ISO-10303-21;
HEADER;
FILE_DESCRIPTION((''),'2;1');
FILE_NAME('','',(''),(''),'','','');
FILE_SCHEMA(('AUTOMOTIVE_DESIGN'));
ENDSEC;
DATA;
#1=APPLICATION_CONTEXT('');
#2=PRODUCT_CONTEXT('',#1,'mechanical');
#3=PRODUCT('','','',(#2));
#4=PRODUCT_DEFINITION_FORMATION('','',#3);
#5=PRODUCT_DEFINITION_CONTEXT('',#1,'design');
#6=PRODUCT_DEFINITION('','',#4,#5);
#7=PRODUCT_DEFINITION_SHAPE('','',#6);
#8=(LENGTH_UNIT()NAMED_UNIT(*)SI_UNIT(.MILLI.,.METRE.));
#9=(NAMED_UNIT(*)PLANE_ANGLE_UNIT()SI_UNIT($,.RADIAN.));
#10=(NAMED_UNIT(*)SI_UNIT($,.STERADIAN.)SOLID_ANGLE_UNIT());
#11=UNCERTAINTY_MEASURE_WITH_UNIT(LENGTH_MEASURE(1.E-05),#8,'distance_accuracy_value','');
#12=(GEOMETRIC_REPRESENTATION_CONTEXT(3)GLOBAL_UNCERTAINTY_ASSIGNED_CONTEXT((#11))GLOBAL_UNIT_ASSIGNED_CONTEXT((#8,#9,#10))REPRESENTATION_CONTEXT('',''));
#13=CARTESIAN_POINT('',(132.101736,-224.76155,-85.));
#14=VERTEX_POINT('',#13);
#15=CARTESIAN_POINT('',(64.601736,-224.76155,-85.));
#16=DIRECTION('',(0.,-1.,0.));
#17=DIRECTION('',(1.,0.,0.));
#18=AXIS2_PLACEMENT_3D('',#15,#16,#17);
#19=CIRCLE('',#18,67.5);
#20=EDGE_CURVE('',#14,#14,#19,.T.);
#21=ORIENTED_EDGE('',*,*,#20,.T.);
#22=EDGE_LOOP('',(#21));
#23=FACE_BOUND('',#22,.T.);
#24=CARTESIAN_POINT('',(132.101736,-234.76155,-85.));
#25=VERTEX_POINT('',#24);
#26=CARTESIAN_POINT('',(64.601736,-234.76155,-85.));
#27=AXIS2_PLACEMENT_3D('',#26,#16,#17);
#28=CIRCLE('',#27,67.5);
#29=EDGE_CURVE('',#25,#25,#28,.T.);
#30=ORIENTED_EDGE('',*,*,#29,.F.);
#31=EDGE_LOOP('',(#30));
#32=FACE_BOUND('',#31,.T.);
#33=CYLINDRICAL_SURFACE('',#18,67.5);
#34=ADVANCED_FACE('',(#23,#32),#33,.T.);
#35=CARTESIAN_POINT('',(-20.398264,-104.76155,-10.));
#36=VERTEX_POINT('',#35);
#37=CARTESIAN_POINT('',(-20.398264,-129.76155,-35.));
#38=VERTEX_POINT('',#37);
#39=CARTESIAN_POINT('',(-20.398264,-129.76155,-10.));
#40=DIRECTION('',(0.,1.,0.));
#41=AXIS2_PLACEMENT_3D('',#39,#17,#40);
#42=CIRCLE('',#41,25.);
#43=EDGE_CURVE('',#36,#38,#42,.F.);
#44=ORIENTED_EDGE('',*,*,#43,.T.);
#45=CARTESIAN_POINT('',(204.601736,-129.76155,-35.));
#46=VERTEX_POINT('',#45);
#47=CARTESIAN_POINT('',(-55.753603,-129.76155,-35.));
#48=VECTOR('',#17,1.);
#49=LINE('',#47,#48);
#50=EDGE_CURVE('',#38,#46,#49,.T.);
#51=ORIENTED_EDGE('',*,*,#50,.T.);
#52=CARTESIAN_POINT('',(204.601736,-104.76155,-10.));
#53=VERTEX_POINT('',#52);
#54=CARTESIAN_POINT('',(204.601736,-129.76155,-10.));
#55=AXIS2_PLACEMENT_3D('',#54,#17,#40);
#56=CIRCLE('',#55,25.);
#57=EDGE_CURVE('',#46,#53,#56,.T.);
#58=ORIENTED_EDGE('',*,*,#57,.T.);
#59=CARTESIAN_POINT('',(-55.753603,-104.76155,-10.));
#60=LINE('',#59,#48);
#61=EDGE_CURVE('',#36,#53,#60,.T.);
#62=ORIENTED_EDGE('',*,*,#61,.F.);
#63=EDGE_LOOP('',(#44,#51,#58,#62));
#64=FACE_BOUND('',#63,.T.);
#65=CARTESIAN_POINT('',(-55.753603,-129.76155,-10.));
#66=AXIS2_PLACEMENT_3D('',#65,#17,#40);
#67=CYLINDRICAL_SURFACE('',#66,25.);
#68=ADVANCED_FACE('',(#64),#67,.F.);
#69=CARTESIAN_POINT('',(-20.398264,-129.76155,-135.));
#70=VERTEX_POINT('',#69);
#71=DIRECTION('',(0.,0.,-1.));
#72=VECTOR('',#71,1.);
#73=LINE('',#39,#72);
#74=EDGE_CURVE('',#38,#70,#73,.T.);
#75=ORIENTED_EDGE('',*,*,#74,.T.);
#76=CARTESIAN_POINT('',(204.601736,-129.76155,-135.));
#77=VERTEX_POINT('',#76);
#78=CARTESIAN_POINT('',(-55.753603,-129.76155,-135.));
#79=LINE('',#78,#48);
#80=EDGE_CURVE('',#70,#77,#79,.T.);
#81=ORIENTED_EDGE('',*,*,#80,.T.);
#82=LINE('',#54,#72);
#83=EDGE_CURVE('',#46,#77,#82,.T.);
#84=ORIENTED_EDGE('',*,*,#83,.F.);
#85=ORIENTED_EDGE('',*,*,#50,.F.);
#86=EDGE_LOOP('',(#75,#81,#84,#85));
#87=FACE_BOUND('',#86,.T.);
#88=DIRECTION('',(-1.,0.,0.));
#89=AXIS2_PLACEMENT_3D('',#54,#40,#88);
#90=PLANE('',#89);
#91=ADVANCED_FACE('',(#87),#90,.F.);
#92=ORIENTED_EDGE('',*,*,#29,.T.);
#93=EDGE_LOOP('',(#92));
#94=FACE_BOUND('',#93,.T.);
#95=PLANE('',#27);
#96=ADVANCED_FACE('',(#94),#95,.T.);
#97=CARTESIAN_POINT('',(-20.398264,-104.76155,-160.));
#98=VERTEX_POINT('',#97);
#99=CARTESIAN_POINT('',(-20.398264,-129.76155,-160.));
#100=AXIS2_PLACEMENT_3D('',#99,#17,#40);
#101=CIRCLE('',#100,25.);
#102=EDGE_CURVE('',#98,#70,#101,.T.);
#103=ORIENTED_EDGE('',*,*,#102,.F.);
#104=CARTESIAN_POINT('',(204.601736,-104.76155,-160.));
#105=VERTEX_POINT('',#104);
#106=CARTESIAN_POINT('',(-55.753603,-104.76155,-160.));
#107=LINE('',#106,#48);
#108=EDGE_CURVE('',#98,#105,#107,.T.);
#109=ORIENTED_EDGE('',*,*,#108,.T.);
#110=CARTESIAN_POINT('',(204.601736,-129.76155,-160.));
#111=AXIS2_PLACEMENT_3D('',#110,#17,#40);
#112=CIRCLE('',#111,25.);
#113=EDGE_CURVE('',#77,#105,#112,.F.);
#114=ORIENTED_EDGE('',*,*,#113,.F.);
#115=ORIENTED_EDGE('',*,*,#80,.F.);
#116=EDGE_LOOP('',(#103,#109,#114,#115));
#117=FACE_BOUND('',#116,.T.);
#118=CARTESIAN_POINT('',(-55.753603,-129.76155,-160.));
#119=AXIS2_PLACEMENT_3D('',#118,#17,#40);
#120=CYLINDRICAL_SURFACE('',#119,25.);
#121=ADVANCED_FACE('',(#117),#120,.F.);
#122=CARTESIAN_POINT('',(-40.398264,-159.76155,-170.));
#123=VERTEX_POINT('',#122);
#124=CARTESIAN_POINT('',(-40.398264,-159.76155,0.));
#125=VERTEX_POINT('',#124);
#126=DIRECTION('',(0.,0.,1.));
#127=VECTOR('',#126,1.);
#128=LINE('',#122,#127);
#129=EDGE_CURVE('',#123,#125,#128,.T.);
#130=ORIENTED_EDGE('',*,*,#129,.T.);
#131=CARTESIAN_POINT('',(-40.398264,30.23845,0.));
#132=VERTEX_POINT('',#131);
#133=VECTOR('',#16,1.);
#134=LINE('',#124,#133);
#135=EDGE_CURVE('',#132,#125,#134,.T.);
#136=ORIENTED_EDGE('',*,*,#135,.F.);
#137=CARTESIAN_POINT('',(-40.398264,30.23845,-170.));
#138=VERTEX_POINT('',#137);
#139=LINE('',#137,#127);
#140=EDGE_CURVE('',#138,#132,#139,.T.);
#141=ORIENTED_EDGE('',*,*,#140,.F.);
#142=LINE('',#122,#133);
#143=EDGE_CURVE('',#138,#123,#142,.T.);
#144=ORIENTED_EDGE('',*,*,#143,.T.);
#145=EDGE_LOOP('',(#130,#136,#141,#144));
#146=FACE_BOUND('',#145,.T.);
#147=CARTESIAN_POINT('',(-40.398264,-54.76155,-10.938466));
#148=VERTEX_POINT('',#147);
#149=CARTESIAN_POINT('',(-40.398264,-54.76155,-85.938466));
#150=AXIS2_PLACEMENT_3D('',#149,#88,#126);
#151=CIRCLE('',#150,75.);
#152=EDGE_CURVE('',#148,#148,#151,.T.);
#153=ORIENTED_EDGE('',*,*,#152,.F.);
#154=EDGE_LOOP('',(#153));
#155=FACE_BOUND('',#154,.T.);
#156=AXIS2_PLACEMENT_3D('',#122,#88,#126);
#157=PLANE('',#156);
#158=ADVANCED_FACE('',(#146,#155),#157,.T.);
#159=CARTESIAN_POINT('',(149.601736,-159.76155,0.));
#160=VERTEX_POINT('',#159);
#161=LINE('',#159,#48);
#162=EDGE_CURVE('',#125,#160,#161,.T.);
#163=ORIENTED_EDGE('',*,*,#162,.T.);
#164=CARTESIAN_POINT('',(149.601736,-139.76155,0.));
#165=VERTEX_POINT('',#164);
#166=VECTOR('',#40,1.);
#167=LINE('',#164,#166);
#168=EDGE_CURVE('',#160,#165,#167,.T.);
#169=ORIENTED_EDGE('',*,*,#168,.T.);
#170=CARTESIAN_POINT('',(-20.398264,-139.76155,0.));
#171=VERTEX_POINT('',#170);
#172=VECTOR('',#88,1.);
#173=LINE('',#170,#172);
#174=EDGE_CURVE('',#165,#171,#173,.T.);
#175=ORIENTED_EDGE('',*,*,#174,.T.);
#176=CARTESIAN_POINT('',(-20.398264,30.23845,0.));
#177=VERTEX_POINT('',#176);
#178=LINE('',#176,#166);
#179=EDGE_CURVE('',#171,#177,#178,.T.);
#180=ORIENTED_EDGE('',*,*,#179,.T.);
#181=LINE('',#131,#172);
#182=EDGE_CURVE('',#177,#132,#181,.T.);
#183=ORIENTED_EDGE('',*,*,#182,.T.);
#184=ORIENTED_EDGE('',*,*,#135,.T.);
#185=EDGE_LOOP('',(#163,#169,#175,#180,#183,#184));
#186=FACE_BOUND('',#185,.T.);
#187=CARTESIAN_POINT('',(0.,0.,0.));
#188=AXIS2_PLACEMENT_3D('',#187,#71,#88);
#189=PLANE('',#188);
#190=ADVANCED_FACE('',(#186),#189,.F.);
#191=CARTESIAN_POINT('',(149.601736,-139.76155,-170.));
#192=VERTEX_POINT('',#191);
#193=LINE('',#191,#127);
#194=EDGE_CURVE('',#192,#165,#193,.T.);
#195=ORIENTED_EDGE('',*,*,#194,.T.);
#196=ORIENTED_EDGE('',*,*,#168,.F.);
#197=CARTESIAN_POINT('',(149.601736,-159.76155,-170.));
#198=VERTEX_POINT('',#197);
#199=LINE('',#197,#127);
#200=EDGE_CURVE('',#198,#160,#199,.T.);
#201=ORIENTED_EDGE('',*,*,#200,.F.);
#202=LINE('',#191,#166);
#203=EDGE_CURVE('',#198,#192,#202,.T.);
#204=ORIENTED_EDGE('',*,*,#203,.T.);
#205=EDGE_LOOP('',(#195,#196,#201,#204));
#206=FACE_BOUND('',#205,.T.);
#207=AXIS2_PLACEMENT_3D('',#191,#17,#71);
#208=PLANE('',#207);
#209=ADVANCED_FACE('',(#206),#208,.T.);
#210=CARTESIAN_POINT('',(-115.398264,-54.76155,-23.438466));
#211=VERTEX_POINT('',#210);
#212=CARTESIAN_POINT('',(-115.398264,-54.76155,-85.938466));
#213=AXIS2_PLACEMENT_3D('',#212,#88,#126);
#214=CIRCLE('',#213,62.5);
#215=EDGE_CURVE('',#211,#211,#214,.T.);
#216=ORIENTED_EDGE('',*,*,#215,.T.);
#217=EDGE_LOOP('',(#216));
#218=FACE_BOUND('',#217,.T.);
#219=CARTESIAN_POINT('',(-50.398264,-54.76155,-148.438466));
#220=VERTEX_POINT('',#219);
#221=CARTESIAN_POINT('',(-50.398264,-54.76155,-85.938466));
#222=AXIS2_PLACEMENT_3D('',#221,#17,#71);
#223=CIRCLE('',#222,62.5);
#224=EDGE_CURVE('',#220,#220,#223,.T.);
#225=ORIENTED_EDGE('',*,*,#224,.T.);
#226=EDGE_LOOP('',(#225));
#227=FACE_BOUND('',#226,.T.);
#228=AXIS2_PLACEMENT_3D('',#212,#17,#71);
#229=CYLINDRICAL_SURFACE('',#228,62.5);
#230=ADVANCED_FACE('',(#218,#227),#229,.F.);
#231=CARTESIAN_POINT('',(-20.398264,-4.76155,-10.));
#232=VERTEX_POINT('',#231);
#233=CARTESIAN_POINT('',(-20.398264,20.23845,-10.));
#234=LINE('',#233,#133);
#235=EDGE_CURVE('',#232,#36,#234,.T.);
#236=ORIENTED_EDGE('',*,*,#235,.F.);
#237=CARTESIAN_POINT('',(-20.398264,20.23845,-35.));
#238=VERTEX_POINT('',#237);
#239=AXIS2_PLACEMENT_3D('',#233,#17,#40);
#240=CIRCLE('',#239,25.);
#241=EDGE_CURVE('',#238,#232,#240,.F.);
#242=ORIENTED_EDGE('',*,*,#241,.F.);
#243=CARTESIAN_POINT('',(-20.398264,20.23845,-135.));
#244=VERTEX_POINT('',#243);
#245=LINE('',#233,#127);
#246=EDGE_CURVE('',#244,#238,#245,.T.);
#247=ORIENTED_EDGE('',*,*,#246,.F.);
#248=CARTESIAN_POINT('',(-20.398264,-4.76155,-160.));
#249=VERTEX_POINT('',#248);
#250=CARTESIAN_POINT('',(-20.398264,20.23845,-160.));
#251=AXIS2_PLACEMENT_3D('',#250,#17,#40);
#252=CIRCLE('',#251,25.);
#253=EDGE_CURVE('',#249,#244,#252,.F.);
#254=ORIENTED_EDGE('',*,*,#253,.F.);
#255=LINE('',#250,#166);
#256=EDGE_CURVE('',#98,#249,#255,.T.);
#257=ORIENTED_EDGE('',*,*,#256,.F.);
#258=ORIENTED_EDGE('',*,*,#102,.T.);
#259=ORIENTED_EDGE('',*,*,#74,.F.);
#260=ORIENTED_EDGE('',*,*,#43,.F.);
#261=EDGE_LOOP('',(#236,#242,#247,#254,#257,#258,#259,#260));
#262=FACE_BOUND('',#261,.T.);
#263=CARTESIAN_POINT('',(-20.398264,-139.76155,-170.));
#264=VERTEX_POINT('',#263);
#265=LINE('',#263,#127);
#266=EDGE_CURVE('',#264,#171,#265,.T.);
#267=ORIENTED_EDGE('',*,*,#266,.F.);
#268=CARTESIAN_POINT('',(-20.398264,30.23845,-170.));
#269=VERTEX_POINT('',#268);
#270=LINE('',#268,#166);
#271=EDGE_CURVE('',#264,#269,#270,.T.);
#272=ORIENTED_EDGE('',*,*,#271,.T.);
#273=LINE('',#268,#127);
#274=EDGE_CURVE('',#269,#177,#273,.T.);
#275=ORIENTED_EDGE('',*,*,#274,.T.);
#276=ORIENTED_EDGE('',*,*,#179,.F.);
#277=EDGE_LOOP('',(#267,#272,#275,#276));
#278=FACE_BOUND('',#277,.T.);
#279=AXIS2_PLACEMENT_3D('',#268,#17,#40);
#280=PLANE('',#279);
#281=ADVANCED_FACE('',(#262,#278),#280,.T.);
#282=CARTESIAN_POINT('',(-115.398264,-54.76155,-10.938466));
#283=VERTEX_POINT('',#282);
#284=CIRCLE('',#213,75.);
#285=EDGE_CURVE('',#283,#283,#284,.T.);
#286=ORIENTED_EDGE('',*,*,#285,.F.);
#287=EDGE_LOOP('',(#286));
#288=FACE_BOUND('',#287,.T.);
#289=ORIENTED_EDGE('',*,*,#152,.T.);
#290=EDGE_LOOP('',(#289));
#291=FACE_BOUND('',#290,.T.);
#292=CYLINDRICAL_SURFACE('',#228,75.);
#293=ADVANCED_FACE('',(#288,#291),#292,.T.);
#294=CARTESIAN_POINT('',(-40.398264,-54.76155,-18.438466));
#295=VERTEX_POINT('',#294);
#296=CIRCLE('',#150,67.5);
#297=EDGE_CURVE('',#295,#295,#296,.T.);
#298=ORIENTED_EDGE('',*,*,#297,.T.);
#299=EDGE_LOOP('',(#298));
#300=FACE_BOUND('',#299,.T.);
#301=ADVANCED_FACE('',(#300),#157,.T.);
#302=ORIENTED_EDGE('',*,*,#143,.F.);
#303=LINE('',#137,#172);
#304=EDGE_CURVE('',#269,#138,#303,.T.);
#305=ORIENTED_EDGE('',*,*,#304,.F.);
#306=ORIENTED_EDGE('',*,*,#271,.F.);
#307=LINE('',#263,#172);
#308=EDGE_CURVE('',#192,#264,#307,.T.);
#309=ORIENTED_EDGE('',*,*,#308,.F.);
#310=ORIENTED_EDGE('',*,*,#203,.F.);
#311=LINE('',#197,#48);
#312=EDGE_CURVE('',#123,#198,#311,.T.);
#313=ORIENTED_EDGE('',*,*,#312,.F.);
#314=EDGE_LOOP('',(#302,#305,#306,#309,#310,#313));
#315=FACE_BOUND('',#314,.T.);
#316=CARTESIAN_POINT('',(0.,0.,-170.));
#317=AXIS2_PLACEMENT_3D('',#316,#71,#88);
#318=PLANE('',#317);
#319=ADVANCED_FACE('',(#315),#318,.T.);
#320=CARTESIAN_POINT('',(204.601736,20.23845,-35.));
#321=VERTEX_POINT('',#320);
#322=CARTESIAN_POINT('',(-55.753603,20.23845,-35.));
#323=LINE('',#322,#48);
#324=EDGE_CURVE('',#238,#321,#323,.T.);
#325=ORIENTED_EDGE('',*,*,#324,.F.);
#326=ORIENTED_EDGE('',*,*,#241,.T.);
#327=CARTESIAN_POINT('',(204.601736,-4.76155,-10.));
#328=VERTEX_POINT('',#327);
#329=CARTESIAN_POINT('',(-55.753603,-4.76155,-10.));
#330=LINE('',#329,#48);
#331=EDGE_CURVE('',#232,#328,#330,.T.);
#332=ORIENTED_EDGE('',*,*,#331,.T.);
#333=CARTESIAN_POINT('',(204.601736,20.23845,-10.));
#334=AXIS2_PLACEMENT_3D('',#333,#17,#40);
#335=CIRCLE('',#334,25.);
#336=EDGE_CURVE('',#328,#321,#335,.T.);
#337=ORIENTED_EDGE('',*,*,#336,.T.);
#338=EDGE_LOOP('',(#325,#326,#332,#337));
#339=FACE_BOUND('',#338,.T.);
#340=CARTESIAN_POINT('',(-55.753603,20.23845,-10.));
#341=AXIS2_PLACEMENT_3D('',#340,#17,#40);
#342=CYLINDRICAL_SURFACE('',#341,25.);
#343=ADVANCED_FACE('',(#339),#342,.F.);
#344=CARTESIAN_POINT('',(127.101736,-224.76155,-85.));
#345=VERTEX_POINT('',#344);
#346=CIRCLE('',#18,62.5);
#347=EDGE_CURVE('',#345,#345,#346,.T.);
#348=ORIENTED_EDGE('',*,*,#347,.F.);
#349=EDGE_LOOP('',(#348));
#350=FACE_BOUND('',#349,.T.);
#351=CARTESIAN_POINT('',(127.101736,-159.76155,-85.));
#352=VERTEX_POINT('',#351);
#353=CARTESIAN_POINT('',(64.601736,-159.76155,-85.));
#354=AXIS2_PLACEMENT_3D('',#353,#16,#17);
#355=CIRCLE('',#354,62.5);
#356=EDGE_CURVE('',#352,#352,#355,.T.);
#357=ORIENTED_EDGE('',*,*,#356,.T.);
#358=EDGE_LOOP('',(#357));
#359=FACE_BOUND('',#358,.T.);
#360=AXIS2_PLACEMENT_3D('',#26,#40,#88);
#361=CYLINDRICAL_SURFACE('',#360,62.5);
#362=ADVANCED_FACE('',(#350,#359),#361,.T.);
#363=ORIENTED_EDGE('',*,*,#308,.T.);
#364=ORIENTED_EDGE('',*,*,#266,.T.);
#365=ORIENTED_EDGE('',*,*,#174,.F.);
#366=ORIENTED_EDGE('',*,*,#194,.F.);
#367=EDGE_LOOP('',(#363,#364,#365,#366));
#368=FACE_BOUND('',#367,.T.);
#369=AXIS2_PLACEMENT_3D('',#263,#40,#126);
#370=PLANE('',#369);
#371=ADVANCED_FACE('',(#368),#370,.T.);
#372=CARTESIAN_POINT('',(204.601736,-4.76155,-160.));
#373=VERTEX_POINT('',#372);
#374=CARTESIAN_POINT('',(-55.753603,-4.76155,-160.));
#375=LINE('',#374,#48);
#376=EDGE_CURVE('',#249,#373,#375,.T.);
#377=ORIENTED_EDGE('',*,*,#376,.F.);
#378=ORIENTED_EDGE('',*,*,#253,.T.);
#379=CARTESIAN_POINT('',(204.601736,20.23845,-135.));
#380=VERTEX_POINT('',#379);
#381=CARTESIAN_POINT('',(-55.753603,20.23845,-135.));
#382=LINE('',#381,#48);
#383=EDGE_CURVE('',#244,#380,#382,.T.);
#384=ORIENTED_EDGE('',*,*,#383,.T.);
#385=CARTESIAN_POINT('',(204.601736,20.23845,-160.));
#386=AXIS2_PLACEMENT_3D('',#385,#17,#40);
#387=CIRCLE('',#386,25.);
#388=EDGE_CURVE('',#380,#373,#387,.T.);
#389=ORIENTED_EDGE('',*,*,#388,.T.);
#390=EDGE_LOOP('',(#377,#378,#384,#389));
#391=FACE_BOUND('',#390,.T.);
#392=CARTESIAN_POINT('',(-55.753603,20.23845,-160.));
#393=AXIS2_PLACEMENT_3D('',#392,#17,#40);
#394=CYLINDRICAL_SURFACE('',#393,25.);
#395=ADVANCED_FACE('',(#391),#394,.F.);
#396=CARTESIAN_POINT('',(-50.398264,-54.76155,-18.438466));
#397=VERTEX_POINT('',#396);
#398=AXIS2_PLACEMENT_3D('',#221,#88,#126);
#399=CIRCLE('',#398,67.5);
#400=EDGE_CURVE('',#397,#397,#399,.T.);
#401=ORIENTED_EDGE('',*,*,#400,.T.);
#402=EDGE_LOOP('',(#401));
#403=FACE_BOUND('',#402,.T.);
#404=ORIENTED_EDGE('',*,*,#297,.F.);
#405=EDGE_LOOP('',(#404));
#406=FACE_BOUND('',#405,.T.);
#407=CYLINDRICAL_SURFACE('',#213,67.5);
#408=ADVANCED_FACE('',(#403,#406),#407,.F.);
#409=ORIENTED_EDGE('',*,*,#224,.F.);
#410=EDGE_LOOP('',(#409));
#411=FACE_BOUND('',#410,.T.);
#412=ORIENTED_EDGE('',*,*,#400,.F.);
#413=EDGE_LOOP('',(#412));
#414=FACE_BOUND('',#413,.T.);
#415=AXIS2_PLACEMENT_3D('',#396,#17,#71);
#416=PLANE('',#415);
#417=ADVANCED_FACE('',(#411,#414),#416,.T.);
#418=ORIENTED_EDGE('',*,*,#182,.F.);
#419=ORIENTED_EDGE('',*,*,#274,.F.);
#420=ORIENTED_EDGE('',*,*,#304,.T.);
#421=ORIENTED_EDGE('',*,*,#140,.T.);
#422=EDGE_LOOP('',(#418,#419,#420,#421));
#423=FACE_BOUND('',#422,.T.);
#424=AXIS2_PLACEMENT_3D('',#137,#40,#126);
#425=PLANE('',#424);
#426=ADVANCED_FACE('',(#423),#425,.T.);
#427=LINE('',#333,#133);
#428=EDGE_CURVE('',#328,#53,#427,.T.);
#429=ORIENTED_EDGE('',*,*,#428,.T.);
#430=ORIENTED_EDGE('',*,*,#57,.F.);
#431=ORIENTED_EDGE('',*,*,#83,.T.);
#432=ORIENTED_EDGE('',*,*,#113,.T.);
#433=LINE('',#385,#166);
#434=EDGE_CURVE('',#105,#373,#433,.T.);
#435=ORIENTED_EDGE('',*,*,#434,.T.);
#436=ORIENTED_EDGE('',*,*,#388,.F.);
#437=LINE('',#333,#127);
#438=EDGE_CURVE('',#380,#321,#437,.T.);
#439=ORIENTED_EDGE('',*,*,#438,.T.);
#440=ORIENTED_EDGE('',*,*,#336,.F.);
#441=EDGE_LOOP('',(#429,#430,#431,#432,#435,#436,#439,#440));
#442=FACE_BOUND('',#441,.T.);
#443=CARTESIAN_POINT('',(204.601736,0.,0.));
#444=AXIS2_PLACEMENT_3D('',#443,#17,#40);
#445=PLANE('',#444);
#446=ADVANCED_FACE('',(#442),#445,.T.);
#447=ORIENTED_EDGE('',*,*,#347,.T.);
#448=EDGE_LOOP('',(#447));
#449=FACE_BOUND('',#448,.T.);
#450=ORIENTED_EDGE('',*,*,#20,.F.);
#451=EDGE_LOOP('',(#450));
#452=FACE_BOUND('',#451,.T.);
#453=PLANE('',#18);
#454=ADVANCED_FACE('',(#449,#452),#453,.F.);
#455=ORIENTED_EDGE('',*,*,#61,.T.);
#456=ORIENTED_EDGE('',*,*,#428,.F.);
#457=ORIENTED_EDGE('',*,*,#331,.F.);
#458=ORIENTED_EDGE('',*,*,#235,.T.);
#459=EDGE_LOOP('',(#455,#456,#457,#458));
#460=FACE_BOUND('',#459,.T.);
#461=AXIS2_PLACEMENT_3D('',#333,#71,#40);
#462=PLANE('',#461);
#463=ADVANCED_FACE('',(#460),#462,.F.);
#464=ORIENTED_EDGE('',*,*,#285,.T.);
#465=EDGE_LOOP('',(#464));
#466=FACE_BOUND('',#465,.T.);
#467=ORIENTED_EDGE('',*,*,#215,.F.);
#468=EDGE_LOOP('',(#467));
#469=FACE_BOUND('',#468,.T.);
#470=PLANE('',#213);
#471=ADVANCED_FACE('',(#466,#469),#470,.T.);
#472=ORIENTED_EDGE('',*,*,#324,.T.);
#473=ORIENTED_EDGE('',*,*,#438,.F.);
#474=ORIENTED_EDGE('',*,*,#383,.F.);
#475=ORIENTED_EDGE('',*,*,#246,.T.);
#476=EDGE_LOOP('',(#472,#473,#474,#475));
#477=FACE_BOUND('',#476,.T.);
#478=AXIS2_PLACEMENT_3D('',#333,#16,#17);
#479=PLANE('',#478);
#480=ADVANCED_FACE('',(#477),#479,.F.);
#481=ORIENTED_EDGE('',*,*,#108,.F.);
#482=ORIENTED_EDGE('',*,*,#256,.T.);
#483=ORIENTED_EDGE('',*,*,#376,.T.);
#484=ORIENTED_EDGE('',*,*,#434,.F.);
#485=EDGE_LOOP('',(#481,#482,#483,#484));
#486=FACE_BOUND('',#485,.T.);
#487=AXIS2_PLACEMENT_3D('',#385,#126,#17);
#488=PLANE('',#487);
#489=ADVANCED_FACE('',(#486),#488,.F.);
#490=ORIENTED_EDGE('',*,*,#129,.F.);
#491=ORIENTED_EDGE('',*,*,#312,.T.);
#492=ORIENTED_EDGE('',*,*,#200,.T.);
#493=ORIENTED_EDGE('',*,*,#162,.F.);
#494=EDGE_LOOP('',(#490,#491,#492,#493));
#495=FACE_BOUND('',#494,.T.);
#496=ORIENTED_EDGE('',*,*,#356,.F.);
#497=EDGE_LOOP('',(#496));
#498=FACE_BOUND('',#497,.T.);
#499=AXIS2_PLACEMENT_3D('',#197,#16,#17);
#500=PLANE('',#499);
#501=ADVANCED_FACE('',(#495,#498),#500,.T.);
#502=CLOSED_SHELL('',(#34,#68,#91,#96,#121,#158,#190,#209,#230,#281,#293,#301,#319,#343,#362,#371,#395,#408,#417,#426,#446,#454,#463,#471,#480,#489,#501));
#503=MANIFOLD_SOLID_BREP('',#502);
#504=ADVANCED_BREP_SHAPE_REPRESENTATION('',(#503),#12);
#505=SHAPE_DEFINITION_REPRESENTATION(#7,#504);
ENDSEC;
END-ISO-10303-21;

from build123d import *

# Parameters (mm, degrees)
BOSS_EXTRUDE1_DEPTH = 170
SKETCH3_R           = 75
SKETCH3_R_2         = 62.5
BOSS_EXTRUDE2_DEPTH = 75
SKETCH4_W           = 150
SKETCH4_H           = 150
BOSS_EXTRUDE3_DEPTH = 225
CUT_EXTRUDE6_DEPTH  = 225
SKETCH6_R           = 62.5
BOSS_EXTRUDE4_DEPTH = 75
BOSS_EXTRUDE5_START = -10
SKETCH7_R           = 67.5
SKETCH7_R_2         = 62.5
BOSS_EXTRUDE5_DEPTH = 10
SKETCH8_W           = 10
SKETCH8_H           = 12.412745851


with BuildPart() as part:
    # Sketch2 → Boss-Extrude1 (new body)
    with BuildSketch(Plane.XY):
        Polygon((-40.398264296, 30.238450413), (-20.398264296, 30.238450413), (-20.398264296, -139.761549587), (149.601735704, -139.761549587), (149.601735704, -159.761549587), (-40.398264296, -159.761549587), align=None)
    extrude(amount=-BOSS_EXTRUDE1_DEPTH)

    # Sketch3 → Boss-Extrude2 (add)
    with BuildSketch(Plane.ZY.offset(40.398264296)):
        with Locations((-85.93846623, -54.761549587)):
            Circle(SKETCH3_R)
        with Locations((-85.93846623, -54.761549587)):
            Circle(SKETCH3_R_2, mode=Mode.SUBTRACT)
    extrude(amount=BOSS_EXTRUDE2_DEPTH)

    # Sketch4 → Boss-Extrude3 (add)
    with BuildSketch(Plane(origin=(-20.398264296, 0, 0), x_dir=(0, 0, -1), z_dir=(1, 0, 0))):
        with Locations((85, -54.761549587)):
            Rectangle(SKETCH4_W, SKETCH4_H)
    extrude(amount=BOSS_EXTRUDE3_DEPTH)

    # Sketch5 → Cut-Extrude6 (cut)
    with BuildSketch(Plane(origin=(204.601735704, 0, 0), x_dir=(0, 0, -1), z_dir=(1, 0, 0))):
        with BuildLine():
            Line((35, 20.238450413), (10, 20.238450413))
            Line((10, 20.238450413), (10, -4.761549587))
            ThreePointArc((10, -4.761549587), (27.67766953, 2.560780883), (35, 20.238450413))
        make_face()
        with BuildLine():
            ThreePointArc((35, -129.761549587), (27.67766953, -112.083880057), (10, -104.761549587))
            Line((10, -104.761549587), (10, -129.761549587))
            Line((10, -129.761549587), (35, -129.761549587))
        make_face()
        with BuildLine():
            ThreePointArc((160, -104.761549587), (142.32233047, -112.083880057), (135, -129.761549587))
            Line((135, -129.761549587), (160, -129.761549587))
            Line((160, -129.761549587), (160, -104.761549587))
        make_face()
        with BuildLine():
            Line((160, 20.238450413), (135, 20.238450413))
            ThreePointArc((135, 20.238450413), (142.32233047, 2.560780883), (160, -4.761549587))
            Line((160, -4.761549587), (160, 20.238450413))
        make_face()
    extrude(amount=-CUT_EXTRUDE6_DEPTH, mode=Mode.SUBTRACT)

    # Sketch6 → Boss-Extrude4 (add)
    with BuildSketch(Plane.XZ.offset(159.761549587)):
        with Locations((64.601735704, -85)):
            Circle(SKETCH6_R)
    extrude(amount=BOSS_EXTRUDE4_DEPTH)

    # Sketch7 → Boss-Extrude5 (add)
    with BuildSketch(Plane.XZ.offset(234.761549587).offset(BOSS_EXTRUDE5_START)):
        with Locations((64.601735704, -85)):
            Circle(SKETCH7_R)
        with Locations((64.601735704, -85)):
            Circle(SKETCH7_R_2, mode=Mode.SUBTRACT)
    extrude(amount=BOSS_EXTRUDE5_DEPTH)

    # Sketch8 → Cut-Revolve1 (revolve, cut)
    with BuildSketch(Plane.XZ.offset(54.761549587), mode=Mode.PRIVATE) as cut_revolve1_sk:
        with Locations((-45.398264296, -24.644839156)):
            Rectangle(SKETCH8_W, SKETCH8_H)
    revolve(cut_revolve1_sk.sketch.rotate(Axis((-115.398264296, -54.761549587, -85.93846623), (1, 0, 0)), 180), axis=Axis((-115.398264296, -54.761549587, -85.93846623), (1, 0, 0)), mode=Mode.SUBTRACT)


solid = part.part
